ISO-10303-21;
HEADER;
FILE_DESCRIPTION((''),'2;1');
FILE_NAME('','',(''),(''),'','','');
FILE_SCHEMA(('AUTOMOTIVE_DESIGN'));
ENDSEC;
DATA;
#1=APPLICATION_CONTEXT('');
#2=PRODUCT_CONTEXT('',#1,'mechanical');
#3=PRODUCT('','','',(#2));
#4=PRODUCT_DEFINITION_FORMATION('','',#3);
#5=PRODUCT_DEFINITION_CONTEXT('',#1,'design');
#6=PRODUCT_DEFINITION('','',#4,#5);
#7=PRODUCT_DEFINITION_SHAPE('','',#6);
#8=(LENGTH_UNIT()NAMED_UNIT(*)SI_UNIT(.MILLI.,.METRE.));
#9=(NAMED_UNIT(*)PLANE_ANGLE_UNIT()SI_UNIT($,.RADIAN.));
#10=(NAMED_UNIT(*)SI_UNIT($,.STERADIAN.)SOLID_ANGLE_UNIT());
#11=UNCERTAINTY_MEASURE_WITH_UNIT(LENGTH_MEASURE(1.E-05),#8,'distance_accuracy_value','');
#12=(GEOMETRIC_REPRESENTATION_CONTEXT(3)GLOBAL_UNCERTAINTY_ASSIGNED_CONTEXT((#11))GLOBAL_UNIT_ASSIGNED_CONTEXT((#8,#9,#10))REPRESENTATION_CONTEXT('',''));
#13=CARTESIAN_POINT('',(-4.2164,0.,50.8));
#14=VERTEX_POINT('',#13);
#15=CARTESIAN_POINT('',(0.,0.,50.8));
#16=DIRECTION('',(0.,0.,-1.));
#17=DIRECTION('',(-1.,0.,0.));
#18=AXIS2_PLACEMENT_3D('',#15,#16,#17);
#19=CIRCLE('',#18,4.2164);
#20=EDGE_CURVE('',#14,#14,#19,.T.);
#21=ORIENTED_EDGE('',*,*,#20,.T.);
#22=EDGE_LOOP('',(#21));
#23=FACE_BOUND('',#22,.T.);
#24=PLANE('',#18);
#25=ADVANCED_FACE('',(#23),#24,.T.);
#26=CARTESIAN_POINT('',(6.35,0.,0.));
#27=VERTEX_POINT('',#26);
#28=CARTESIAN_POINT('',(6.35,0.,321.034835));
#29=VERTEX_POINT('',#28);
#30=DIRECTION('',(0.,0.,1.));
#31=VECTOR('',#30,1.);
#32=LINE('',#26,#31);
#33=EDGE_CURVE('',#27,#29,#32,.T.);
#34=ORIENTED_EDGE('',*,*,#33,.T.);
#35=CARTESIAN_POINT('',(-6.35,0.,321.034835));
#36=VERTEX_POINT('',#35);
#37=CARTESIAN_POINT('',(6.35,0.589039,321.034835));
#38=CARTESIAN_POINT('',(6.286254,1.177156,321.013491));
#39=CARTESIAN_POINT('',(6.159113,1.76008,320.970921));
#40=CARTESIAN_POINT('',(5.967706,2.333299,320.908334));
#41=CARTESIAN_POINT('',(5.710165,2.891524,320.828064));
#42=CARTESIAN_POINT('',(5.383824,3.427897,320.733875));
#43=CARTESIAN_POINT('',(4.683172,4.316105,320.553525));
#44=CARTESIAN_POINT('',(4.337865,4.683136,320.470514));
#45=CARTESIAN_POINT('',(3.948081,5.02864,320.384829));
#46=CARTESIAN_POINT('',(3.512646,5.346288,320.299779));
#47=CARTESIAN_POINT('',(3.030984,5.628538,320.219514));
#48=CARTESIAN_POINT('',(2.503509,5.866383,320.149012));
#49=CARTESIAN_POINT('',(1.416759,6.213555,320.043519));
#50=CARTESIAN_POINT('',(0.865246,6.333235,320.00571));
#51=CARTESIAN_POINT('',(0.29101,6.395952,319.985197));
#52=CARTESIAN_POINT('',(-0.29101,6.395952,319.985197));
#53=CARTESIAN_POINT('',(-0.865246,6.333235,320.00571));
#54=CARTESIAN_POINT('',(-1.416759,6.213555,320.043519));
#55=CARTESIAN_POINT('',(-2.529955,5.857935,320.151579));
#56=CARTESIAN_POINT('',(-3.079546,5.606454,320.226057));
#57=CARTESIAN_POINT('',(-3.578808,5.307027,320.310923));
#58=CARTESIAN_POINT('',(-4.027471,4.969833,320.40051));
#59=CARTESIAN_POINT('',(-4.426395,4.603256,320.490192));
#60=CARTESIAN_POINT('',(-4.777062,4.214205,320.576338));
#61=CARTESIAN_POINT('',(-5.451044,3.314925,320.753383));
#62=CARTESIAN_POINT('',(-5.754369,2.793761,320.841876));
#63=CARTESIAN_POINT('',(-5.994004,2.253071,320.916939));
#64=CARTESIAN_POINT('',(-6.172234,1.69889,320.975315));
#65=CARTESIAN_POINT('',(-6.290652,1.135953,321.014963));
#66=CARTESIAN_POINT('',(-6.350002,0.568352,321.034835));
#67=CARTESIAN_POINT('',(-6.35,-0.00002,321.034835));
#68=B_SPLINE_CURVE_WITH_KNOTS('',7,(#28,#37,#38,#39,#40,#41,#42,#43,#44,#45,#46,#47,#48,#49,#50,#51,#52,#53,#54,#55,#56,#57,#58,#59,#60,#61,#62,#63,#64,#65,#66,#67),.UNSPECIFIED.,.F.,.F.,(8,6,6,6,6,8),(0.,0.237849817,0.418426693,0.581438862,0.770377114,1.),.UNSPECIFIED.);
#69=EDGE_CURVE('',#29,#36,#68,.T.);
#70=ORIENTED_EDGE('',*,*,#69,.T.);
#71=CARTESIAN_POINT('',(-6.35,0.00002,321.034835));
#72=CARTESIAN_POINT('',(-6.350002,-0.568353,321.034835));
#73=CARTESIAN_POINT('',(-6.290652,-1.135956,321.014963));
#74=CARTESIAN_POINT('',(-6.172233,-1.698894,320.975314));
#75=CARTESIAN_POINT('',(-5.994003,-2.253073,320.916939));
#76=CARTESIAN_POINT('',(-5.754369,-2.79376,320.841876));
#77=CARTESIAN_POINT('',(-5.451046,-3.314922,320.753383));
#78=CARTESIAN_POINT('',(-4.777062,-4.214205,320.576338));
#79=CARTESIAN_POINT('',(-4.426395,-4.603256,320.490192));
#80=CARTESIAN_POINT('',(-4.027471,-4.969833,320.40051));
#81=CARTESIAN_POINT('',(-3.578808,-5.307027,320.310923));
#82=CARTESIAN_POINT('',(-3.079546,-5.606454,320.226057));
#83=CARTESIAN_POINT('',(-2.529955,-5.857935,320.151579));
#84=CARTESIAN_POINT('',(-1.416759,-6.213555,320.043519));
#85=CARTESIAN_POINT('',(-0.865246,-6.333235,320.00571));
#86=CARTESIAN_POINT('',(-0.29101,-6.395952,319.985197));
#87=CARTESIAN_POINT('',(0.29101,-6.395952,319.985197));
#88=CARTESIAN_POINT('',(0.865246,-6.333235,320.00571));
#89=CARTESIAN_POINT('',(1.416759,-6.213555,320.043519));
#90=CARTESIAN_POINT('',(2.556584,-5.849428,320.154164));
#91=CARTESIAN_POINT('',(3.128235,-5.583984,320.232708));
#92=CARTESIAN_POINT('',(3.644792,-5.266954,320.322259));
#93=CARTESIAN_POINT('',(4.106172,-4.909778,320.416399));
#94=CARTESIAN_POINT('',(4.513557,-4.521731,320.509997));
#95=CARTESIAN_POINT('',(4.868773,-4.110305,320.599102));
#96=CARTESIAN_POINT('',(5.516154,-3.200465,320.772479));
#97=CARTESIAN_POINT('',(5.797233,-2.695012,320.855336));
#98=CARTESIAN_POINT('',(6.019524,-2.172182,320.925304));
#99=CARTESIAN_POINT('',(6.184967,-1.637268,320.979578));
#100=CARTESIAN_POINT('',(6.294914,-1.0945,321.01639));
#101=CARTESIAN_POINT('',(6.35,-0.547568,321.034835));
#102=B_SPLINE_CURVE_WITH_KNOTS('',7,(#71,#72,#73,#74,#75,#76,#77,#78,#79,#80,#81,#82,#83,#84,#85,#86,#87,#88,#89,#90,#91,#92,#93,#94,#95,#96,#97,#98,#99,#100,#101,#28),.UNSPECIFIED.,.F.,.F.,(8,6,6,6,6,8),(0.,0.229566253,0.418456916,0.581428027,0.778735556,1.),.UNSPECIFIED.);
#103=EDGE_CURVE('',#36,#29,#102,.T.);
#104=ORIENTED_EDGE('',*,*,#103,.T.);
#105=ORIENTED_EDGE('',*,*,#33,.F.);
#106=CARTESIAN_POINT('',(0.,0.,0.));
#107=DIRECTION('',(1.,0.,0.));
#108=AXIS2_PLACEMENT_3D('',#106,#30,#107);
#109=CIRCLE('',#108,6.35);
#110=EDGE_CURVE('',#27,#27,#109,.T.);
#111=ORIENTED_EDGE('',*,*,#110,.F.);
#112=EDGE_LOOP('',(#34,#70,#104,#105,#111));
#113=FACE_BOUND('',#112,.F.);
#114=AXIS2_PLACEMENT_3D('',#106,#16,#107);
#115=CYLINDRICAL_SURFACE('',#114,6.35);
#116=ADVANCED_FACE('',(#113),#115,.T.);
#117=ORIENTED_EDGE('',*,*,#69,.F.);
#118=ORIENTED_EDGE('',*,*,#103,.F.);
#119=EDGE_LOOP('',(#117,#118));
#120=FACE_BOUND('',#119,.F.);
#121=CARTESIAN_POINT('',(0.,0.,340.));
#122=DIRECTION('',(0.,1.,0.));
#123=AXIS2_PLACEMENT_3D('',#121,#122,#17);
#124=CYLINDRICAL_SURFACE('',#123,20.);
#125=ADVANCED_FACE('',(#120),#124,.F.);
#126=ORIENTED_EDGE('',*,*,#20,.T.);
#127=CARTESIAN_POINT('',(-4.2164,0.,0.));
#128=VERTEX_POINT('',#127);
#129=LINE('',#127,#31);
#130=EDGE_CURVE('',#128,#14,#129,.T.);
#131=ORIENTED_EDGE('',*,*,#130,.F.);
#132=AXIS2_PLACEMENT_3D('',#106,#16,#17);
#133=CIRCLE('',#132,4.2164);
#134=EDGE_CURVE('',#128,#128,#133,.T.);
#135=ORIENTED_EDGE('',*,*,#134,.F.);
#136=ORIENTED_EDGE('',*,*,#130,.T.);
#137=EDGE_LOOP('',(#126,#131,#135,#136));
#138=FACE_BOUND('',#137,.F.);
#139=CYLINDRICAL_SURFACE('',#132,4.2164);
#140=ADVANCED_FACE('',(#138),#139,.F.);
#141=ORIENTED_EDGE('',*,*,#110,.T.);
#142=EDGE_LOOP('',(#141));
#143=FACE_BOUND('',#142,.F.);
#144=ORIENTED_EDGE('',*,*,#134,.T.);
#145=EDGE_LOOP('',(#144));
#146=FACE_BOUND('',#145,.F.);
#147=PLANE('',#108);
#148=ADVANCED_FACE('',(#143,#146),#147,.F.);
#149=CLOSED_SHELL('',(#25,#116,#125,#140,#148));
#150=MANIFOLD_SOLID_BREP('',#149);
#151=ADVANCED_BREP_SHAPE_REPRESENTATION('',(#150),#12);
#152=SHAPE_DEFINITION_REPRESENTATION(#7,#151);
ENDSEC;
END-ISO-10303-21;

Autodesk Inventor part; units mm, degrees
ref_plane "YZ Plane" through (0, 0, 0) normal (1, 0, 0) x (0, 1, 0)
ref_plane "Start Plane" through (0, 0, 0) normal (0, 0, 1) x (1, 0, 0)
ref_plane "End Plane" through (0, 0, 340) normal (0, 0, 1) x (1, 0, 0)
sketch "Sketch" plane through (0, 0, 0) normal (0, 0, 1) x (1, 0, 0)
  circle A0 centre (0, 0) radius 6.35
  dimension "d0" = 12.7
extrude "Body" add sketch "Sketch" along normal up to surface (340 mm away) from surface at 0
sketch "Sketch2" plane through (0, 0, 0) normal (0, 0, 1) x (1, 0, 0)
  line L0 (0, 0) -> (10, 0)
ref_plane "Work Plane3" through (0, 0, 0) normal (0, -1, 0) x (1, 0, 0)
sketch "Sketch4" plane through (0, 0, 0) normal (0, 1, 0) x (-1, 0, 0)
  line L0 (-6.35, 340) -> (6.35, 340) projected
  circle A0 centre (0, 340) radius 20
  point P0 (0, 0)
  dimension "d11" = 40
extrude "Extrusion2" cut sketch "Sketch4" along normal through all both and the other way through all
sketch "Sketch5" plane through (0, 0, 0) normal (0, 0, -1) x (-1, 0, 0)
  circle A0 centre (0, 0) radius 4.2164
  dimension "d12" = 8.4328
extrude "Extrusion3" cut sketch "Sketch5" against normal blind 50.8
thread "Thread1" size "3/8-24 UNF" class "2B" standard "ANSI Unified Screw Threads" full length
sketch "Sketch3" plane through (0, 0, 0) normal (0, -1, 0) x (1, 0, 0)
  line L0 (-2, 0) -> (12, 0) projected
  line L1 (-2, 340) -> (12, 340) projected
  dimension "d7" = 340
equation "\"d0\" = Diam"
equation "\"d1\" = G_L"
equation "\"Diam\" = 12.7"
equation "\"G_L\" = d7"
equation "\"G_OFFSET_START\" = 0"
equation "\"G_OFFSET_END\" = 0"
equation "\"d5\" = G_OFFSET_END + B_L"
equation "\"B_L\" = 340"
properties part number "ANSI/AISC Rolled Steel - 1/2-13.386, RB" material "Steel, Mild"
